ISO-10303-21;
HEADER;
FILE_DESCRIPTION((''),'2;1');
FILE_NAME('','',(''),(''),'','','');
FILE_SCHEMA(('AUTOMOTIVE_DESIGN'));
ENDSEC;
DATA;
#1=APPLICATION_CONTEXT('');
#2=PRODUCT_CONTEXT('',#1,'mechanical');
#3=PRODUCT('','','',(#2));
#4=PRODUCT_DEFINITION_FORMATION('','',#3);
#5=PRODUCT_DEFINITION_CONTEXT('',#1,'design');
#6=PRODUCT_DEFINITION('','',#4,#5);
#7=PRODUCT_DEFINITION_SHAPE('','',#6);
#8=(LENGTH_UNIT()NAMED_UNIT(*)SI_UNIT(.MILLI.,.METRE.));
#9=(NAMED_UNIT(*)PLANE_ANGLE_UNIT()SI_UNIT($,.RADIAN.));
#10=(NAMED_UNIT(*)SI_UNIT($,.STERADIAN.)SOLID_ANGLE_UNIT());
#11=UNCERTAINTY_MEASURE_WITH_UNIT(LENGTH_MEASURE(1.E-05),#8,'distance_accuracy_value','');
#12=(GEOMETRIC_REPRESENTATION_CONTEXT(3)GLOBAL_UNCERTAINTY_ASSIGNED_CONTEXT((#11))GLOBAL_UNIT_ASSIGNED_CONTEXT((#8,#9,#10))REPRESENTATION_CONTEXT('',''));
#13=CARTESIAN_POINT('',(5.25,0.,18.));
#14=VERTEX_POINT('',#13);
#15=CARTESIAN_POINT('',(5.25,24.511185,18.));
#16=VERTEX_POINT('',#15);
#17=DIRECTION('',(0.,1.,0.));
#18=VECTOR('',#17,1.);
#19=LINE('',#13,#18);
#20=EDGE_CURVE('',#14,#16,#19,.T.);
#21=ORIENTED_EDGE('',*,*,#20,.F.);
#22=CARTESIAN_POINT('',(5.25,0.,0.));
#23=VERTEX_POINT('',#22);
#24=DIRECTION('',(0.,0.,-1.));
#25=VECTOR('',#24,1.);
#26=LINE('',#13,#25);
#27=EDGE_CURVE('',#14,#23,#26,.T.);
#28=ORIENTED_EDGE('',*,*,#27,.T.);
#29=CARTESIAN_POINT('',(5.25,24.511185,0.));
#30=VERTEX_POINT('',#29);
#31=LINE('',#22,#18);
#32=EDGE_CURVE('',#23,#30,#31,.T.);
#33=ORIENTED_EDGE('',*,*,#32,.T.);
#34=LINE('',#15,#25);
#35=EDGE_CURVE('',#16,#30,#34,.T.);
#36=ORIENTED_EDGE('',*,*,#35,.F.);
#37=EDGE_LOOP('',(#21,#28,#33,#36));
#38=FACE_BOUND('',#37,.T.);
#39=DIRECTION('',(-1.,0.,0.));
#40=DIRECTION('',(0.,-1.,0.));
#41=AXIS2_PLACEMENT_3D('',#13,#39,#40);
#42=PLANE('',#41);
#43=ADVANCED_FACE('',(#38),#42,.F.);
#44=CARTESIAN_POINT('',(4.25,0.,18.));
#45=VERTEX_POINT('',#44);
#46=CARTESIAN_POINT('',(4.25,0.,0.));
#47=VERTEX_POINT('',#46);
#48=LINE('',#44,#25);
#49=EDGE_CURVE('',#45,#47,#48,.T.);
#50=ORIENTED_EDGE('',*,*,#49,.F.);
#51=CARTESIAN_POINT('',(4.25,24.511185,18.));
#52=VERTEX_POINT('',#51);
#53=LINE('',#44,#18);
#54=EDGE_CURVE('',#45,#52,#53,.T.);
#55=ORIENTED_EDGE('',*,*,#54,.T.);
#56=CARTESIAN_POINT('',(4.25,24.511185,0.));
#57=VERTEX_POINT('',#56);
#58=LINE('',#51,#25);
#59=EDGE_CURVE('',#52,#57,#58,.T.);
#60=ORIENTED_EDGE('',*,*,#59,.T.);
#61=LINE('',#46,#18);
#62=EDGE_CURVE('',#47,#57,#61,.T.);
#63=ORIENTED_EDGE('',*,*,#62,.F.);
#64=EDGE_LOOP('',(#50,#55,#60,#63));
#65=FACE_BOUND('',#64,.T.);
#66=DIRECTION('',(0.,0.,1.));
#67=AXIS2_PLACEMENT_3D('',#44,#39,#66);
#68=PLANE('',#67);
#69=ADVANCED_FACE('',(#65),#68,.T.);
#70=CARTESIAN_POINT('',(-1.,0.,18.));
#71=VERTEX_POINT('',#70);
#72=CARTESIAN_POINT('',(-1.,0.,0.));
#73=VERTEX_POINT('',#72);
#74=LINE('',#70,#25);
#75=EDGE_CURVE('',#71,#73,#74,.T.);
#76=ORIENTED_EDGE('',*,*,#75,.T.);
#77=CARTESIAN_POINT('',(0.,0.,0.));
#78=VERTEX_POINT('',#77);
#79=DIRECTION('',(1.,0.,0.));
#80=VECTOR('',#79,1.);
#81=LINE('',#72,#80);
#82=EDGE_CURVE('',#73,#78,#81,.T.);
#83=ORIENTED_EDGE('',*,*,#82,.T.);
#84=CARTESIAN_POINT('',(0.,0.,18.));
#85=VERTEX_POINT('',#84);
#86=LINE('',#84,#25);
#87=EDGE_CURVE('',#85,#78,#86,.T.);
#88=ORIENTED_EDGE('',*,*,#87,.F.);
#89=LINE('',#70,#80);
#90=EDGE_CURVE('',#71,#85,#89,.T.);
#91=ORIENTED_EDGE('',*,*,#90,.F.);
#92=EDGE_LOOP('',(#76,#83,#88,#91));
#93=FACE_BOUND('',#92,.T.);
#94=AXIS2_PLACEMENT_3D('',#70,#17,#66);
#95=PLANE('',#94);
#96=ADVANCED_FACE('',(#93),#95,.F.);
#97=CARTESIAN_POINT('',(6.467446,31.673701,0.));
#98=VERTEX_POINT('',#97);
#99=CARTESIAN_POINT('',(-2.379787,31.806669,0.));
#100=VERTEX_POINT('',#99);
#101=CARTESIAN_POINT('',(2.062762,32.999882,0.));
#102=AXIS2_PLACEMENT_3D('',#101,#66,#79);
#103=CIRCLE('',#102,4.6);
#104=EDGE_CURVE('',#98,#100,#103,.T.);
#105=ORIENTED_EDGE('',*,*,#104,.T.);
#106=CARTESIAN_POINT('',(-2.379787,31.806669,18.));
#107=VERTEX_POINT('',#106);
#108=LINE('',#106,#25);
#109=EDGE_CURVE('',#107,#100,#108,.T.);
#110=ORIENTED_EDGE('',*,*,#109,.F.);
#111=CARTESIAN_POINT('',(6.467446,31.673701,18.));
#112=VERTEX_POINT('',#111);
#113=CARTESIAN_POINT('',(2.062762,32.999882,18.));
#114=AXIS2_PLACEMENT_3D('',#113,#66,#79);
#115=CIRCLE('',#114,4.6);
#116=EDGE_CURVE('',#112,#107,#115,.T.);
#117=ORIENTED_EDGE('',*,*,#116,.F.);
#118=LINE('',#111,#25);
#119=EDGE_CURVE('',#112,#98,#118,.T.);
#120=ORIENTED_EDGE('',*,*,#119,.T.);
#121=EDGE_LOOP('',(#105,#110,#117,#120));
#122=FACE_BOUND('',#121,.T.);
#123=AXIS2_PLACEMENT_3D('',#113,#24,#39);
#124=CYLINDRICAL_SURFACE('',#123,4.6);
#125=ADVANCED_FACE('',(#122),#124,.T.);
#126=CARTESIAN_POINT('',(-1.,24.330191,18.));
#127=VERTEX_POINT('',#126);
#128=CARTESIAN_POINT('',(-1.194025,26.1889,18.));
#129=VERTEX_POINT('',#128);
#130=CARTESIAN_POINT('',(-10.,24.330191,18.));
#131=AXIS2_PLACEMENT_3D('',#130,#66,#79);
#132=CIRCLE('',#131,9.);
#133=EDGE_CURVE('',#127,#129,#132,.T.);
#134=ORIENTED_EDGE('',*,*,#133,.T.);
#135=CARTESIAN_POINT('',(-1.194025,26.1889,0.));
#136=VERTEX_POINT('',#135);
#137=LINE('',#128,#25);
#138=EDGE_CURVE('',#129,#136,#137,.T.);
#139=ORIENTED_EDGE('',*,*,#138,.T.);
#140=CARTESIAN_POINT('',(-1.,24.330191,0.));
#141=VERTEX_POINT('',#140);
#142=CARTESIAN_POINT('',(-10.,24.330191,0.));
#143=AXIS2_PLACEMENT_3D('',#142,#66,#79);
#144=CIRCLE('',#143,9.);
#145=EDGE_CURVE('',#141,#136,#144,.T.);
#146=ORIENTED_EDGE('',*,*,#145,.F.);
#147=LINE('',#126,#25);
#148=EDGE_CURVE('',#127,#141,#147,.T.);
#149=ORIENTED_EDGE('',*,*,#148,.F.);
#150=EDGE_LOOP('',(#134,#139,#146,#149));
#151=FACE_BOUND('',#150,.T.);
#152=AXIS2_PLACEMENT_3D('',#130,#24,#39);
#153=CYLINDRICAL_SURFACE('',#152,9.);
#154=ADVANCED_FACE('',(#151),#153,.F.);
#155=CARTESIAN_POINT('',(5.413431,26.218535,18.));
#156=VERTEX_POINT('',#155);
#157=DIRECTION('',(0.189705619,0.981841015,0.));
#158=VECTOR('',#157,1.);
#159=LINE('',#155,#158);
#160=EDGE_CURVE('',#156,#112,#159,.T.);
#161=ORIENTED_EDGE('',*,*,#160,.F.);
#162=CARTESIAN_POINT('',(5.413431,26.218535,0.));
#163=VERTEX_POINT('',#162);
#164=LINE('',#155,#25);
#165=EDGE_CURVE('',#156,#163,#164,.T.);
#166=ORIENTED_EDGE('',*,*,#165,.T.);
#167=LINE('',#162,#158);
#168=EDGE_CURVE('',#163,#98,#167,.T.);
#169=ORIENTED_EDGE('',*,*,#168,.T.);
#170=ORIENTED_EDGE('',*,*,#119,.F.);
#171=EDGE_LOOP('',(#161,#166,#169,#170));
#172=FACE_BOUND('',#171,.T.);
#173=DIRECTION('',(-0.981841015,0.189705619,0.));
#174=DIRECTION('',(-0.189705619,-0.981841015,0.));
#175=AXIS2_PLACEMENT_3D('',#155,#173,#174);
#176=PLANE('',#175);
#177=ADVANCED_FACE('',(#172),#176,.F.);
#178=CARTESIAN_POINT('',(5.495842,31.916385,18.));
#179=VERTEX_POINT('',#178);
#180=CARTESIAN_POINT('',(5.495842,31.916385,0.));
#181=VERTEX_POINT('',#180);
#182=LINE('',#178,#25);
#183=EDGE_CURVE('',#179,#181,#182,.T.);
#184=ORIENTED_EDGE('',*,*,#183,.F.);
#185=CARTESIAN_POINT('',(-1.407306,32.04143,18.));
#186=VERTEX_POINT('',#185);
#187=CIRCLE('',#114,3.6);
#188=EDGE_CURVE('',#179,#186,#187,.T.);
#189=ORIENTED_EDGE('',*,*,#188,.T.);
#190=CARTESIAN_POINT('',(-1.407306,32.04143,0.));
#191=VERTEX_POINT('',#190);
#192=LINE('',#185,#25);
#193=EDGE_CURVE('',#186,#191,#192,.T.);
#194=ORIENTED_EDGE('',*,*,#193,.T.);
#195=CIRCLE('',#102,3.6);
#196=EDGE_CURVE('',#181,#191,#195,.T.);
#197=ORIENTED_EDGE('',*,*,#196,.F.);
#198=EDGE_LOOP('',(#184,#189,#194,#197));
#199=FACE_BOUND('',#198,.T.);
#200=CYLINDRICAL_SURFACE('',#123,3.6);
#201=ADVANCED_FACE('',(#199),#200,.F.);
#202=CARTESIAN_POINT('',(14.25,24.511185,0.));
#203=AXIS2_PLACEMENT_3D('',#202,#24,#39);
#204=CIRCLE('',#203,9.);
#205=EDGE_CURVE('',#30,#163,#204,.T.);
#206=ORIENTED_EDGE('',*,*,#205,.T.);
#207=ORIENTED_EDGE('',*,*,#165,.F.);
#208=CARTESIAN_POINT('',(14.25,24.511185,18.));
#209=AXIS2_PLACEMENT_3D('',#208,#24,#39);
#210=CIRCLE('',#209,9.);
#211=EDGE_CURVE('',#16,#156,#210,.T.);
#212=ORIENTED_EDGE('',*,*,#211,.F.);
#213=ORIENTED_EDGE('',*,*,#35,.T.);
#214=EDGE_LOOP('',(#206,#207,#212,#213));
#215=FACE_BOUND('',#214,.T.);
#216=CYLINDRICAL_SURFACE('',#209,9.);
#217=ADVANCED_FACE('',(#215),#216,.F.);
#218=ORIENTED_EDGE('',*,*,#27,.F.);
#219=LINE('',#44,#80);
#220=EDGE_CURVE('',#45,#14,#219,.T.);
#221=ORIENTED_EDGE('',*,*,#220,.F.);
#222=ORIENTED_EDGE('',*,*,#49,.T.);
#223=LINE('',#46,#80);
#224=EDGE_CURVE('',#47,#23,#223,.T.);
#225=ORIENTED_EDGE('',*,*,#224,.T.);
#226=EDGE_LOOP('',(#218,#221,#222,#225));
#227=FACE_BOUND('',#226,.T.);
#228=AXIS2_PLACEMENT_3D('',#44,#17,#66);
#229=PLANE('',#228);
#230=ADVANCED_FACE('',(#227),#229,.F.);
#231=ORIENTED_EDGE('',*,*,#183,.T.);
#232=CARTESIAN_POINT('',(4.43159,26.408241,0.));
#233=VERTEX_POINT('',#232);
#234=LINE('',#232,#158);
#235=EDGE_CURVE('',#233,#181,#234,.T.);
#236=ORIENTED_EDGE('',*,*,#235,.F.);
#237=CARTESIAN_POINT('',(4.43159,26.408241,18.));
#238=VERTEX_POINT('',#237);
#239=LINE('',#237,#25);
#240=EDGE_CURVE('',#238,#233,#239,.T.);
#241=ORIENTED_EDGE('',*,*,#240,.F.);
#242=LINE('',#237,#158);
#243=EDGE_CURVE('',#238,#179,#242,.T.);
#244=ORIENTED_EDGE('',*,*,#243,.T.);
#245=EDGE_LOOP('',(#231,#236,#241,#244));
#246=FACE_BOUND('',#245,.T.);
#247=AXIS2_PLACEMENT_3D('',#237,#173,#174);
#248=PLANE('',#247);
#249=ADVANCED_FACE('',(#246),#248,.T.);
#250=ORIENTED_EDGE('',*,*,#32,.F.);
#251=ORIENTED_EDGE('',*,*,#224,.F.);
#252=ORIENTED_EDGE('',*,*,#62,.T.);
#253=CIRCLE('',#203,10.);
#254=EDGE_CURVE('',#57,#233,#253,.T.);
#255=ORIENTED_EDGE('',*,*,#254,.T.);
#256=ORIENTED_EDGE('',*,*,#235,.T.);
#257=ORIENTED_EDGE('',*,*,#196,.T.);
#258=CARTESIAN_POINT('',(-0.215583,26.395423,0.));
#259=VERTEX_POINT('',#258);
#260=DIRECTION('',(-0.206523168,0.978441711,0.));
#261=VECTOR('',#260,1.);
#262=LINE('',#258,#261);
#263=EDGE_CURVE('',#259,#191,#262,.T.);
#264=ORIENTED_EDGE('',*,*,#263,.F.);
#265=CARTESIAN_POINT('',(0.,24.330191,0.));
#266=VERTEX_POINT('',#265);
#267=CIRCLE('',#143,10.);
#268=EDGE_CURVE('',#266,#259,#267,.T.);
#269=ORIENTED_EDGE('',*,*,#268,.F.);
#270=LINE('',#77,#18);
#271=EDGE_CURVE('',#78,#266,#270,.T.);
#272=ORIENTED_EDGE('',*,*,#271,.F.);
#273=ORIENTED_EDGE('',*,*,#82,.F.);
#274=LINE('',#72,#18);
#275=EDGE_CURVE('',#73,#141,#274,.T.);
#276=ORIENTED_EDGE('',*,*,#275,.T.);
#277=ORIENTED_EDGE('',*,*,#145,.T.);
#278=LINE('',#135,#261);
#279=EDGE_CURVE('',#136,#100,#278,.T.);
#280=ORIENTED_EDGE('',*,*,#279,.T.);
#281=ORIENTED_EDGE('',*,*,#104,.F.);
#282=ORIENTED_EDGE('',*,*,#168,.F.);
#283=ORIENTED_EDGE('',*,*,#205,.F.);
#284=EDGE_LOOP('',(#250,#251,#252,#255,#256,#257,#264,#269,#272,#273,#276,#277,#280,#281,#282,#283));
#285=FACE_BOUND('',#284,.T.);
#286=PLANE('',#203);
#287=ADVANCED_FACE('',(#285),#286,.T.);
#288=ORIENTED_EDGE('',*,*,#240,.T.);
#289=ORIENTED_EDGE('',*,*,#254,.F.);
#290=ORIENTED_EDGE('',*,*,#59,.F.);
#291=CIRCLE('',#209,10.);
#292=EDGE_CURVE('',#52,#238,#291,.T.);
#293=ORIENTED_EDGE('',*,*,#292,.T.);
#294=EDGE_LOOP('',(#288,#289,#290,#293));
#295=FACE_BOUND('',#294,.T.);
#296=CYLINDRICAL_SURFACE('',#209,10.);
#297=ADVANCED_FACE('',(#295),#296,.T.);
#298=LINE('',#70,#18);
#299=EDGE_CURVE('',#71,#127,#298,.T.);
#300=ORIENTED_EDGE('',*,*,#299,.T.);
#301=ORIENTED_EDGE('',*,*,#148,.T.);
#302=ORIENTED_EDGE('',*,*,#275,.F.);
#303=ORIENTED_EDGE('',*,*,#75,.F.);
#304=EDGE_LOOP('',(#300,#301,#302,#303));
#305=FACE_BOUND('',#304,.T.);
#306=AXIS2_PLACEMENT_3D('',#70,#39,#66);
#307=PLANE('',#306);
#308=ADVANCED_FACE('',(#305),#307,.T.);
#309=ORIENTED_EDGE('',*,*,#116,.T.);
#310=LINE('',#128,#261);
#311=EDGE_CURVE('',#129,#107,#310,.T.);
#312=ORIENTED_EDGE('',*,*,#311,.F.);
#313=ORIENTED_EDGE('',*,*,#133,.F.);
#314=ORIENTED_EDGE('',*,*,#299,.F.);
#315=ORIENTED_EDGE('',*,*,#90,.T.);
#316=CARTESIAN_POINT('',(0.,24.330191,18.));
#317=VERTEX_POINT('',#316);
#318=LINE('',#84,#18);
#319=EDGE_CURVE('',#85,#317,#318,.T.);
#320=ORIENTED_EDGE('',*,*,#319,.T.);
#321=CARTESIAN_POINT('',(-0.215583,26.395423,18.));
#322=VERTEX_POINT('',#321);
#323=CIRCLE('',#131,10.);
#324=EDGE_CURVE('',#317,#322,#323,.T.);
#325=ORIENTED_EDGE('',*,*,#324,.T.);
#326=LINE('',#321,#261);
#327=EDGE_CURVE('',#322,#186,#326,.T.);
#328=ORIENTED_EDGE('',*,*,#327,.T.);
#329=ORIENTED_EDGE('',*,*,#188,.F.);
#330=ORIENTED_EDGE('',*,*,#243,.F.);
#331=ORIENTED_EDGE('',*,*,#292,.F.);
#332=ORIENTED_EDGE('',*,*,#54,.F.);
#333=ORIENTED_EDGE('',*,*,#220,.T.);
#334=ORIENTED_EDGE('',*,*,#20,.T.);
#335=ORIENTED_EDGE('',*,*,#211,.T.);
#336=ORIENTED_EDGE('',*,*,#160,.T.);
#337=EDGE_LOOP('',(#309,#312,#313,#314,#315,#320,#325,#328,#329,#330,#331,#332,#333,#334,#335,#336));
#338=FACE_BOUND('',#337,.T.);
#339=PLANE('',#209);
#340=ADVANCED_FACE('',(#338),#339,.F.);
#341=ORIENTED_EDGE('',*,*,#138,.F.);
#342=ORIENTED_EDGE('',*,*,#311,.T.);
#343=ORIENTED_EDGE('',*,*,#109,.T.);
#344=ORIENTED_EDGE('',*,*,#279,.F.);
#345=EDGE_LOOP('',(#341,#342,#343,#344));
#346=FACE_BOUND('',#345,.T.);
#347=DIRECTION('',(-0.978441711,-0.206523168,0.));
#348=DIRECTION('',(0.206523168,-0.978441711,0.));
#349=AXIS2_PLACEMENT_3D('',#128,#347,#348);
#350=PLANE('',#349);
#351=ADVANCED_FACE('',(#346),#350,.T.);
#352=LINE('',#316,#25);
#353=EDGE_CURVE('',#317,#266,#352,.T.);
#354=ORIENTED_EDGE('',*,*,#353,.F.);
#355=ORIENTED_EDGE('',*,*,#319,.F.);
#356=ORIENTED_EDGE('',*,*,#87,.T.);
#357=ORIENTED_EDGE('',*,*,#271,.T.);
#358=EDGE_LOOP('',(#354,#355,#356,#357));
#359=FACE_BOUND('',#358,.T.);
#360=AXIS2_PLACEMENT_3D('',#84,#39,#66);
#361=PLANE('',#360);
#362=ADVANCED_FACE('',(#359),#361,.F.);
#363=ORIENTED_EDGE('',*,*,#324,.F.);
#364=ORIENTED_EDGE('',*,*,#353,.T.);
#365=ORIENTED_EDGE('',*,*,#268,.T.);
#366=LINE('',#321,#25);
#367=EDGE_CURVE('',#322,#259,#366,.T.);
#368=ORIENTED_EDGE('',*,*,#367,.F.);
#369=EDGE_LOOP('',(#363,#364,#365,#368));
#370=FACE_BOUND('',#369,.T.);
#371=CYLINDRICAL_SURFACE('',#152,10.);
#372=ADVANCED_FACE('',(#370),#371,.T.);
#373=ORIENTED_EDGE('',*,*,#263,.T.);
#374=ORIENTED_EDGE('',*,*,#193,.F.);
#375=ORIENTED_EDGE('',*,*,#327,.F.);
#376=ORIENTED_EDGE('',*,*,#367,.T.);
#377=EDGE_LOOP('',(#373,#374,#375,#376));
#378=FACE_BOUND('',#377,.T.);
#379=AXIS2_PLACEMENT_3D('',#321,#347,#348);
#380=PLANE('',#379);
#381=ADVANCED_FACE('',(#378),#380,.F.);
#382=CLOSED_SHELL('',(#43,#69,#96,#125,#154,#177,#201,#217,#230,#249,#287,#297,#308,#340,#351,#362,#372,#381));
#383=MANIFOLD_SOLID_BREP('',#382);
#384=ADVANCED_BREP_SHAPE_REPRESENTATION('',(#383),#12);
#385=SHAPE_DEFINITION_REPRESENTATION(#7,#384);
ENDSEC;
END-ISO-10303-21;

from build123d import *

# Parameters (mm, degrees)
DODANIE_WYCI_GNI_CIE1_DEPTH = 18


with BuildPart() as part:
    # Szkic2 → Dodanie-wyciągnięcie1 (new body)
    with BuildSketch(Plane.XY):
        with BuildLine():
            Line((0, 0), (0, 24.330191411))
            ThreePointArc((0, 24.330191411), (-0.054041749, 25.36841801), (-0.215582894, 26.395423093))
            Line((-0.215582894, 26.395423093), (-1.407305533, 32.041429535))
            ThreePointArc((-1.407305533, 32.041429535), (2.127962125, 36.599291484), (5.495841527, 31.916385196))
            Line((5.495841527, 31.916385196), (4.431589852, 26.408240777))
            ThreePointArc((4.431589852, 26.408240777), (4.29550098, 25.464048307), (4.25, 24.511184591))
            Line((4.25, 24.511184591), (4.25, 0))
            Line((4.25, 0), (5.25, 0))
            Line((5.25, 0), (5.25, 24.511184591))
            ThreePointArc((5.25, 24.511184591), (5.290950882, 25.368761936), (5.413430867, 26.218535158))
            Line((5.413430867, 26.218535158), (6.467446251, 31.6737006))
            ThreePointArc((6.467446251, 31.6737006), (2.131889217, 37.599362518), (-2.379787023, 31.806668719))
            Line((-2.379787023, 31.806668719), (-1.194024605, 26.188899925))
            ThreePointArc((-1.194024605, 26.188899925), (-1.048637574, 25.26459535), (-1, 24.330191411))
            Line((-1, 24.330191411), (-1, 0))
            Line((-1, 0), (0, 0))
        make_face()
    extrude(amount=DODANIE_WYCI_GNI_CIE1_DEPTH)


solid = part.part
